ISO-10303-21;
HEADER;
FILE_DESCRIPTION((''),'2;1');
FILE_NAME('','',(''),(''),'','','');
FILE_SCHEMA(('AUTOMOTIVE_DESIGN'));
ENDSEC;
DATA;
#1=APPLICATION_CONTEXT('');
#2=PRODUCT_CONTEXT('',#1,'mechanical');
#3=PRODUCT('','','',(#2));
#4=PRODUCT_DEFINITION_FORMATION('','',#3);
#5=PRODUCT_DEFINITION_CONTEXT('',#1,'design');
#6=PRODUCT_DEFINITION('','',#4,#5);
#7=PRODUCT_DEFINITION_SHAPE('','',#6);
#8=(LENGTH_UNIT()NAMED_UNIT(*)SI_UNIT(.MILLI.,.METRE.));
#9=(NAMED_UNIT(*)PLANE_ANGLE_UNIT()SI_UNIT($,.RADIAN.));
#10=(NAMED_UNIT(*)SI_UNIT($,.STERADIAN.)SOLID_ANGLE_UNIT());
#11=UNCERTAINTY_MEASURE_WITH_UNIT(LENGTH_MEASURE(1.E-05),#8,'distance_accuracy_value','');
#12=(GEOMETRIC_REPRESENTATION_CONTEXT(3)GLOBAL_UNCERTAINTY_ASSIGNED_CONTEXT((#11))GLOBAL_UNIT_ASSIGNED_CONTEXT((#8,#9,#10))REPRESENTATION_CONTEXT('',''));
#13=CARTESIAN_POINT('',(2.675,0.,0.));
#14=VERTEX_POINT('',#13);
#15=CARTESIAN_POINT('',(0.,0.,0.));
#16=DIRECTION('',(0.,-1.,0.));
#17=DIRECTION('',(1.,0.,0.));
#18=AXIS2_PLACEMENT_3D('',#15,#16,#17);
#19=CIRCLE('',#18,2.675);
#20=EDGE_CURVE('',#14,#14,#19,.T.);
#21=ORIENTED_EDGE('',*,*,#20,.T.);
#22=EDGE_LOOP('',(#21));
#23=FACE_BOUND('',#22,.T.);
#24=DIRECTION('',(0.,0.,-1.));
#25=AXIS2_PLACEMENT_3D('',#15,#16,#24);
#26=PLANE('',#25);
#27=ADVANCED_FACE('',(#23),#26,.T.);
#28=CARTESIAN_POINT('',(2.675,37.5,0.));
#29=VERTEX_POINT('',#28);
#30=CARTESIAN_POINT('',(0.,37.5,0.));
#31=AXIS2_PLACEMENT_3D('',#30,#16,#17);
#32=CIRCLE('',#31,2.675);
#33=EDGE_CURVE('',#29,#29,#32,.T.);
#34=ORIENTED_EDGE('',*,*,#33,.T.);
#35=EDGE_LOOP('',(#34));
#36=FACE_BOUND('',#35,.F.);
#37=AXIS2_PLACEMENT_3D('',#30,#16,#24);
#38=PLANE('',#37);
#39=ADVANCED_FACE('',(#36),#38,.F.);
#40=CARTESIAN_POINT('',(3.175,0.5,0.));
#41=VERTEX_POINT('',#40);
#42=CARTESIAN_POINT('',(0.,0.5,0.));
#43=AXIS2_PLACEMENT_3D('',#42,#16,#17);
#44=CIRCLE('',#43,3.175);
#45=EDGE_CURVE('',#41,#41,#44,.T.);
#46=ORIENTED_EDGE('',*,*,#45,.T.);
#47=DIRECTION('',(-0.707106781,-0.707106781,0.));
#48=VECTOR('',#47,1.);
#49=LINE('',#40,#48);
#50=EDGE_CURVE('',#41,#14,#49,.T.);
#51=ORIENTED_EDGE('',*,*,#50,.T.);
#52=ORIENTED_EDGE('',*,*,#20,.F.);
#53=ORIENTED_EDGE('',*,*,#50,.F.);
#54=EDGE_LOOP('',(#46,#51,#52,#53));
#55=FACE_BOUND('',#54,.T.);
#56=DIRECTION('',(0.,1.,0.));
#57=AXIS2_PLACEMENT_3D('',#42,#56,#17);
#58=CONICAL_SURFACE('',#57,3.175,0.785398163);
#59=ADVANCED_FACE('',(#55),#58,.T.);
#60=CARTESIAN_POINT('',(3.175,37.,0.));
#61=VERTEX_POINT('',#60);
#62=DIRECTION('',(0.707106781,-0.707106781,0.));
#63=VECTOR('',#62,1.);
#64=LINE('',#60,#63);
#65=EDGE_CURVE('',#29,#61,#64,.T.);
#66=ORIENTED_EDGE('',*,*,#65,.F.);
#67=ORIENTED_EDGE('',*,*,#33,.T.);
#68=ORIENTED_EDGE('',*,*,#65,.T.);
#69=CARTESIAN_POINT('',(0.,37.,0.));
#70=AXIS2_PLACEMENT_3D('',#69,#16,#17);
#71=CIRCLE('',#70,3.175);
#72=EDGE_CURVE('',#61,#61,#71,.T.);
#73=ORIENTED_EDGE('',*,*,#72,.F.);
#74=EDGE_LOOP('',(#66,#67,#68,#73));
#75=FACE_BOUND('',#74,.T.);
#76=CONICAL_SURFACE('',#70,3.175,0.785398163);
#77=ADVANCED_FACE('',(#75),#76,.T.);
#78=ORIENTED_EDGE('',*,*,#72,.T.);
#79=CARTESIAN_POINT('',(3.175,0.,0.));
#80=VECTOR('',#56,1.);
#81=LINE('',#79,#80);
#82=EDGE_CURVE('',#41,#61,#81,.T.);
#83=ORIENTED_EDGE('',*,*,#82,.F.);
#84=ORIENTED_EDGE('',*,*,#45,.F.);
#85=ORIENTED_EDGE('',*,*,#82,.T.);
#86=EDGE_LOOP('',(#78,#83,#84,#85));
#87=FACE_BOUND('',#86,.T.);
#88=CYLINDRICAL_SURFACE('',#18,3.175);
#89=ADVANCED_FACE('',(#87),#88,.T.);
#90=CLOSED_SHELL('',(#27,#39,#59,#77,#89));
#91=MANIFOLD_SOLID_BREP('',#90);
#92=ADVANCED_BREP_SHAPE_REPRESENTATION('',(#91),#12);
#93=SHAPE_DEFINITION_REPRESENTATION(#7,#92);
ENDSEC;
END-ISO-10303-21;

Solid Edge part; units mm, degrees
sketch "Sketch1" plane through (0, 0, 0) normal (0, -1, 0) x (1, 0, 0)
  circle A0 centre (0, 0) radius 3.175
extrude "Protrusion1" add sketch "Sketch1" against normal blind 37.5
chamfer "Chamfer_2" distance 0.5 angle 45 2 edges at (-3.175, 0, 0) (-3.175, 37.5, 0) measured on face at (-2.0532, 37.5, 2.1802)
cosmetic_thread "Thread1" size "1/4-20 UNC"
